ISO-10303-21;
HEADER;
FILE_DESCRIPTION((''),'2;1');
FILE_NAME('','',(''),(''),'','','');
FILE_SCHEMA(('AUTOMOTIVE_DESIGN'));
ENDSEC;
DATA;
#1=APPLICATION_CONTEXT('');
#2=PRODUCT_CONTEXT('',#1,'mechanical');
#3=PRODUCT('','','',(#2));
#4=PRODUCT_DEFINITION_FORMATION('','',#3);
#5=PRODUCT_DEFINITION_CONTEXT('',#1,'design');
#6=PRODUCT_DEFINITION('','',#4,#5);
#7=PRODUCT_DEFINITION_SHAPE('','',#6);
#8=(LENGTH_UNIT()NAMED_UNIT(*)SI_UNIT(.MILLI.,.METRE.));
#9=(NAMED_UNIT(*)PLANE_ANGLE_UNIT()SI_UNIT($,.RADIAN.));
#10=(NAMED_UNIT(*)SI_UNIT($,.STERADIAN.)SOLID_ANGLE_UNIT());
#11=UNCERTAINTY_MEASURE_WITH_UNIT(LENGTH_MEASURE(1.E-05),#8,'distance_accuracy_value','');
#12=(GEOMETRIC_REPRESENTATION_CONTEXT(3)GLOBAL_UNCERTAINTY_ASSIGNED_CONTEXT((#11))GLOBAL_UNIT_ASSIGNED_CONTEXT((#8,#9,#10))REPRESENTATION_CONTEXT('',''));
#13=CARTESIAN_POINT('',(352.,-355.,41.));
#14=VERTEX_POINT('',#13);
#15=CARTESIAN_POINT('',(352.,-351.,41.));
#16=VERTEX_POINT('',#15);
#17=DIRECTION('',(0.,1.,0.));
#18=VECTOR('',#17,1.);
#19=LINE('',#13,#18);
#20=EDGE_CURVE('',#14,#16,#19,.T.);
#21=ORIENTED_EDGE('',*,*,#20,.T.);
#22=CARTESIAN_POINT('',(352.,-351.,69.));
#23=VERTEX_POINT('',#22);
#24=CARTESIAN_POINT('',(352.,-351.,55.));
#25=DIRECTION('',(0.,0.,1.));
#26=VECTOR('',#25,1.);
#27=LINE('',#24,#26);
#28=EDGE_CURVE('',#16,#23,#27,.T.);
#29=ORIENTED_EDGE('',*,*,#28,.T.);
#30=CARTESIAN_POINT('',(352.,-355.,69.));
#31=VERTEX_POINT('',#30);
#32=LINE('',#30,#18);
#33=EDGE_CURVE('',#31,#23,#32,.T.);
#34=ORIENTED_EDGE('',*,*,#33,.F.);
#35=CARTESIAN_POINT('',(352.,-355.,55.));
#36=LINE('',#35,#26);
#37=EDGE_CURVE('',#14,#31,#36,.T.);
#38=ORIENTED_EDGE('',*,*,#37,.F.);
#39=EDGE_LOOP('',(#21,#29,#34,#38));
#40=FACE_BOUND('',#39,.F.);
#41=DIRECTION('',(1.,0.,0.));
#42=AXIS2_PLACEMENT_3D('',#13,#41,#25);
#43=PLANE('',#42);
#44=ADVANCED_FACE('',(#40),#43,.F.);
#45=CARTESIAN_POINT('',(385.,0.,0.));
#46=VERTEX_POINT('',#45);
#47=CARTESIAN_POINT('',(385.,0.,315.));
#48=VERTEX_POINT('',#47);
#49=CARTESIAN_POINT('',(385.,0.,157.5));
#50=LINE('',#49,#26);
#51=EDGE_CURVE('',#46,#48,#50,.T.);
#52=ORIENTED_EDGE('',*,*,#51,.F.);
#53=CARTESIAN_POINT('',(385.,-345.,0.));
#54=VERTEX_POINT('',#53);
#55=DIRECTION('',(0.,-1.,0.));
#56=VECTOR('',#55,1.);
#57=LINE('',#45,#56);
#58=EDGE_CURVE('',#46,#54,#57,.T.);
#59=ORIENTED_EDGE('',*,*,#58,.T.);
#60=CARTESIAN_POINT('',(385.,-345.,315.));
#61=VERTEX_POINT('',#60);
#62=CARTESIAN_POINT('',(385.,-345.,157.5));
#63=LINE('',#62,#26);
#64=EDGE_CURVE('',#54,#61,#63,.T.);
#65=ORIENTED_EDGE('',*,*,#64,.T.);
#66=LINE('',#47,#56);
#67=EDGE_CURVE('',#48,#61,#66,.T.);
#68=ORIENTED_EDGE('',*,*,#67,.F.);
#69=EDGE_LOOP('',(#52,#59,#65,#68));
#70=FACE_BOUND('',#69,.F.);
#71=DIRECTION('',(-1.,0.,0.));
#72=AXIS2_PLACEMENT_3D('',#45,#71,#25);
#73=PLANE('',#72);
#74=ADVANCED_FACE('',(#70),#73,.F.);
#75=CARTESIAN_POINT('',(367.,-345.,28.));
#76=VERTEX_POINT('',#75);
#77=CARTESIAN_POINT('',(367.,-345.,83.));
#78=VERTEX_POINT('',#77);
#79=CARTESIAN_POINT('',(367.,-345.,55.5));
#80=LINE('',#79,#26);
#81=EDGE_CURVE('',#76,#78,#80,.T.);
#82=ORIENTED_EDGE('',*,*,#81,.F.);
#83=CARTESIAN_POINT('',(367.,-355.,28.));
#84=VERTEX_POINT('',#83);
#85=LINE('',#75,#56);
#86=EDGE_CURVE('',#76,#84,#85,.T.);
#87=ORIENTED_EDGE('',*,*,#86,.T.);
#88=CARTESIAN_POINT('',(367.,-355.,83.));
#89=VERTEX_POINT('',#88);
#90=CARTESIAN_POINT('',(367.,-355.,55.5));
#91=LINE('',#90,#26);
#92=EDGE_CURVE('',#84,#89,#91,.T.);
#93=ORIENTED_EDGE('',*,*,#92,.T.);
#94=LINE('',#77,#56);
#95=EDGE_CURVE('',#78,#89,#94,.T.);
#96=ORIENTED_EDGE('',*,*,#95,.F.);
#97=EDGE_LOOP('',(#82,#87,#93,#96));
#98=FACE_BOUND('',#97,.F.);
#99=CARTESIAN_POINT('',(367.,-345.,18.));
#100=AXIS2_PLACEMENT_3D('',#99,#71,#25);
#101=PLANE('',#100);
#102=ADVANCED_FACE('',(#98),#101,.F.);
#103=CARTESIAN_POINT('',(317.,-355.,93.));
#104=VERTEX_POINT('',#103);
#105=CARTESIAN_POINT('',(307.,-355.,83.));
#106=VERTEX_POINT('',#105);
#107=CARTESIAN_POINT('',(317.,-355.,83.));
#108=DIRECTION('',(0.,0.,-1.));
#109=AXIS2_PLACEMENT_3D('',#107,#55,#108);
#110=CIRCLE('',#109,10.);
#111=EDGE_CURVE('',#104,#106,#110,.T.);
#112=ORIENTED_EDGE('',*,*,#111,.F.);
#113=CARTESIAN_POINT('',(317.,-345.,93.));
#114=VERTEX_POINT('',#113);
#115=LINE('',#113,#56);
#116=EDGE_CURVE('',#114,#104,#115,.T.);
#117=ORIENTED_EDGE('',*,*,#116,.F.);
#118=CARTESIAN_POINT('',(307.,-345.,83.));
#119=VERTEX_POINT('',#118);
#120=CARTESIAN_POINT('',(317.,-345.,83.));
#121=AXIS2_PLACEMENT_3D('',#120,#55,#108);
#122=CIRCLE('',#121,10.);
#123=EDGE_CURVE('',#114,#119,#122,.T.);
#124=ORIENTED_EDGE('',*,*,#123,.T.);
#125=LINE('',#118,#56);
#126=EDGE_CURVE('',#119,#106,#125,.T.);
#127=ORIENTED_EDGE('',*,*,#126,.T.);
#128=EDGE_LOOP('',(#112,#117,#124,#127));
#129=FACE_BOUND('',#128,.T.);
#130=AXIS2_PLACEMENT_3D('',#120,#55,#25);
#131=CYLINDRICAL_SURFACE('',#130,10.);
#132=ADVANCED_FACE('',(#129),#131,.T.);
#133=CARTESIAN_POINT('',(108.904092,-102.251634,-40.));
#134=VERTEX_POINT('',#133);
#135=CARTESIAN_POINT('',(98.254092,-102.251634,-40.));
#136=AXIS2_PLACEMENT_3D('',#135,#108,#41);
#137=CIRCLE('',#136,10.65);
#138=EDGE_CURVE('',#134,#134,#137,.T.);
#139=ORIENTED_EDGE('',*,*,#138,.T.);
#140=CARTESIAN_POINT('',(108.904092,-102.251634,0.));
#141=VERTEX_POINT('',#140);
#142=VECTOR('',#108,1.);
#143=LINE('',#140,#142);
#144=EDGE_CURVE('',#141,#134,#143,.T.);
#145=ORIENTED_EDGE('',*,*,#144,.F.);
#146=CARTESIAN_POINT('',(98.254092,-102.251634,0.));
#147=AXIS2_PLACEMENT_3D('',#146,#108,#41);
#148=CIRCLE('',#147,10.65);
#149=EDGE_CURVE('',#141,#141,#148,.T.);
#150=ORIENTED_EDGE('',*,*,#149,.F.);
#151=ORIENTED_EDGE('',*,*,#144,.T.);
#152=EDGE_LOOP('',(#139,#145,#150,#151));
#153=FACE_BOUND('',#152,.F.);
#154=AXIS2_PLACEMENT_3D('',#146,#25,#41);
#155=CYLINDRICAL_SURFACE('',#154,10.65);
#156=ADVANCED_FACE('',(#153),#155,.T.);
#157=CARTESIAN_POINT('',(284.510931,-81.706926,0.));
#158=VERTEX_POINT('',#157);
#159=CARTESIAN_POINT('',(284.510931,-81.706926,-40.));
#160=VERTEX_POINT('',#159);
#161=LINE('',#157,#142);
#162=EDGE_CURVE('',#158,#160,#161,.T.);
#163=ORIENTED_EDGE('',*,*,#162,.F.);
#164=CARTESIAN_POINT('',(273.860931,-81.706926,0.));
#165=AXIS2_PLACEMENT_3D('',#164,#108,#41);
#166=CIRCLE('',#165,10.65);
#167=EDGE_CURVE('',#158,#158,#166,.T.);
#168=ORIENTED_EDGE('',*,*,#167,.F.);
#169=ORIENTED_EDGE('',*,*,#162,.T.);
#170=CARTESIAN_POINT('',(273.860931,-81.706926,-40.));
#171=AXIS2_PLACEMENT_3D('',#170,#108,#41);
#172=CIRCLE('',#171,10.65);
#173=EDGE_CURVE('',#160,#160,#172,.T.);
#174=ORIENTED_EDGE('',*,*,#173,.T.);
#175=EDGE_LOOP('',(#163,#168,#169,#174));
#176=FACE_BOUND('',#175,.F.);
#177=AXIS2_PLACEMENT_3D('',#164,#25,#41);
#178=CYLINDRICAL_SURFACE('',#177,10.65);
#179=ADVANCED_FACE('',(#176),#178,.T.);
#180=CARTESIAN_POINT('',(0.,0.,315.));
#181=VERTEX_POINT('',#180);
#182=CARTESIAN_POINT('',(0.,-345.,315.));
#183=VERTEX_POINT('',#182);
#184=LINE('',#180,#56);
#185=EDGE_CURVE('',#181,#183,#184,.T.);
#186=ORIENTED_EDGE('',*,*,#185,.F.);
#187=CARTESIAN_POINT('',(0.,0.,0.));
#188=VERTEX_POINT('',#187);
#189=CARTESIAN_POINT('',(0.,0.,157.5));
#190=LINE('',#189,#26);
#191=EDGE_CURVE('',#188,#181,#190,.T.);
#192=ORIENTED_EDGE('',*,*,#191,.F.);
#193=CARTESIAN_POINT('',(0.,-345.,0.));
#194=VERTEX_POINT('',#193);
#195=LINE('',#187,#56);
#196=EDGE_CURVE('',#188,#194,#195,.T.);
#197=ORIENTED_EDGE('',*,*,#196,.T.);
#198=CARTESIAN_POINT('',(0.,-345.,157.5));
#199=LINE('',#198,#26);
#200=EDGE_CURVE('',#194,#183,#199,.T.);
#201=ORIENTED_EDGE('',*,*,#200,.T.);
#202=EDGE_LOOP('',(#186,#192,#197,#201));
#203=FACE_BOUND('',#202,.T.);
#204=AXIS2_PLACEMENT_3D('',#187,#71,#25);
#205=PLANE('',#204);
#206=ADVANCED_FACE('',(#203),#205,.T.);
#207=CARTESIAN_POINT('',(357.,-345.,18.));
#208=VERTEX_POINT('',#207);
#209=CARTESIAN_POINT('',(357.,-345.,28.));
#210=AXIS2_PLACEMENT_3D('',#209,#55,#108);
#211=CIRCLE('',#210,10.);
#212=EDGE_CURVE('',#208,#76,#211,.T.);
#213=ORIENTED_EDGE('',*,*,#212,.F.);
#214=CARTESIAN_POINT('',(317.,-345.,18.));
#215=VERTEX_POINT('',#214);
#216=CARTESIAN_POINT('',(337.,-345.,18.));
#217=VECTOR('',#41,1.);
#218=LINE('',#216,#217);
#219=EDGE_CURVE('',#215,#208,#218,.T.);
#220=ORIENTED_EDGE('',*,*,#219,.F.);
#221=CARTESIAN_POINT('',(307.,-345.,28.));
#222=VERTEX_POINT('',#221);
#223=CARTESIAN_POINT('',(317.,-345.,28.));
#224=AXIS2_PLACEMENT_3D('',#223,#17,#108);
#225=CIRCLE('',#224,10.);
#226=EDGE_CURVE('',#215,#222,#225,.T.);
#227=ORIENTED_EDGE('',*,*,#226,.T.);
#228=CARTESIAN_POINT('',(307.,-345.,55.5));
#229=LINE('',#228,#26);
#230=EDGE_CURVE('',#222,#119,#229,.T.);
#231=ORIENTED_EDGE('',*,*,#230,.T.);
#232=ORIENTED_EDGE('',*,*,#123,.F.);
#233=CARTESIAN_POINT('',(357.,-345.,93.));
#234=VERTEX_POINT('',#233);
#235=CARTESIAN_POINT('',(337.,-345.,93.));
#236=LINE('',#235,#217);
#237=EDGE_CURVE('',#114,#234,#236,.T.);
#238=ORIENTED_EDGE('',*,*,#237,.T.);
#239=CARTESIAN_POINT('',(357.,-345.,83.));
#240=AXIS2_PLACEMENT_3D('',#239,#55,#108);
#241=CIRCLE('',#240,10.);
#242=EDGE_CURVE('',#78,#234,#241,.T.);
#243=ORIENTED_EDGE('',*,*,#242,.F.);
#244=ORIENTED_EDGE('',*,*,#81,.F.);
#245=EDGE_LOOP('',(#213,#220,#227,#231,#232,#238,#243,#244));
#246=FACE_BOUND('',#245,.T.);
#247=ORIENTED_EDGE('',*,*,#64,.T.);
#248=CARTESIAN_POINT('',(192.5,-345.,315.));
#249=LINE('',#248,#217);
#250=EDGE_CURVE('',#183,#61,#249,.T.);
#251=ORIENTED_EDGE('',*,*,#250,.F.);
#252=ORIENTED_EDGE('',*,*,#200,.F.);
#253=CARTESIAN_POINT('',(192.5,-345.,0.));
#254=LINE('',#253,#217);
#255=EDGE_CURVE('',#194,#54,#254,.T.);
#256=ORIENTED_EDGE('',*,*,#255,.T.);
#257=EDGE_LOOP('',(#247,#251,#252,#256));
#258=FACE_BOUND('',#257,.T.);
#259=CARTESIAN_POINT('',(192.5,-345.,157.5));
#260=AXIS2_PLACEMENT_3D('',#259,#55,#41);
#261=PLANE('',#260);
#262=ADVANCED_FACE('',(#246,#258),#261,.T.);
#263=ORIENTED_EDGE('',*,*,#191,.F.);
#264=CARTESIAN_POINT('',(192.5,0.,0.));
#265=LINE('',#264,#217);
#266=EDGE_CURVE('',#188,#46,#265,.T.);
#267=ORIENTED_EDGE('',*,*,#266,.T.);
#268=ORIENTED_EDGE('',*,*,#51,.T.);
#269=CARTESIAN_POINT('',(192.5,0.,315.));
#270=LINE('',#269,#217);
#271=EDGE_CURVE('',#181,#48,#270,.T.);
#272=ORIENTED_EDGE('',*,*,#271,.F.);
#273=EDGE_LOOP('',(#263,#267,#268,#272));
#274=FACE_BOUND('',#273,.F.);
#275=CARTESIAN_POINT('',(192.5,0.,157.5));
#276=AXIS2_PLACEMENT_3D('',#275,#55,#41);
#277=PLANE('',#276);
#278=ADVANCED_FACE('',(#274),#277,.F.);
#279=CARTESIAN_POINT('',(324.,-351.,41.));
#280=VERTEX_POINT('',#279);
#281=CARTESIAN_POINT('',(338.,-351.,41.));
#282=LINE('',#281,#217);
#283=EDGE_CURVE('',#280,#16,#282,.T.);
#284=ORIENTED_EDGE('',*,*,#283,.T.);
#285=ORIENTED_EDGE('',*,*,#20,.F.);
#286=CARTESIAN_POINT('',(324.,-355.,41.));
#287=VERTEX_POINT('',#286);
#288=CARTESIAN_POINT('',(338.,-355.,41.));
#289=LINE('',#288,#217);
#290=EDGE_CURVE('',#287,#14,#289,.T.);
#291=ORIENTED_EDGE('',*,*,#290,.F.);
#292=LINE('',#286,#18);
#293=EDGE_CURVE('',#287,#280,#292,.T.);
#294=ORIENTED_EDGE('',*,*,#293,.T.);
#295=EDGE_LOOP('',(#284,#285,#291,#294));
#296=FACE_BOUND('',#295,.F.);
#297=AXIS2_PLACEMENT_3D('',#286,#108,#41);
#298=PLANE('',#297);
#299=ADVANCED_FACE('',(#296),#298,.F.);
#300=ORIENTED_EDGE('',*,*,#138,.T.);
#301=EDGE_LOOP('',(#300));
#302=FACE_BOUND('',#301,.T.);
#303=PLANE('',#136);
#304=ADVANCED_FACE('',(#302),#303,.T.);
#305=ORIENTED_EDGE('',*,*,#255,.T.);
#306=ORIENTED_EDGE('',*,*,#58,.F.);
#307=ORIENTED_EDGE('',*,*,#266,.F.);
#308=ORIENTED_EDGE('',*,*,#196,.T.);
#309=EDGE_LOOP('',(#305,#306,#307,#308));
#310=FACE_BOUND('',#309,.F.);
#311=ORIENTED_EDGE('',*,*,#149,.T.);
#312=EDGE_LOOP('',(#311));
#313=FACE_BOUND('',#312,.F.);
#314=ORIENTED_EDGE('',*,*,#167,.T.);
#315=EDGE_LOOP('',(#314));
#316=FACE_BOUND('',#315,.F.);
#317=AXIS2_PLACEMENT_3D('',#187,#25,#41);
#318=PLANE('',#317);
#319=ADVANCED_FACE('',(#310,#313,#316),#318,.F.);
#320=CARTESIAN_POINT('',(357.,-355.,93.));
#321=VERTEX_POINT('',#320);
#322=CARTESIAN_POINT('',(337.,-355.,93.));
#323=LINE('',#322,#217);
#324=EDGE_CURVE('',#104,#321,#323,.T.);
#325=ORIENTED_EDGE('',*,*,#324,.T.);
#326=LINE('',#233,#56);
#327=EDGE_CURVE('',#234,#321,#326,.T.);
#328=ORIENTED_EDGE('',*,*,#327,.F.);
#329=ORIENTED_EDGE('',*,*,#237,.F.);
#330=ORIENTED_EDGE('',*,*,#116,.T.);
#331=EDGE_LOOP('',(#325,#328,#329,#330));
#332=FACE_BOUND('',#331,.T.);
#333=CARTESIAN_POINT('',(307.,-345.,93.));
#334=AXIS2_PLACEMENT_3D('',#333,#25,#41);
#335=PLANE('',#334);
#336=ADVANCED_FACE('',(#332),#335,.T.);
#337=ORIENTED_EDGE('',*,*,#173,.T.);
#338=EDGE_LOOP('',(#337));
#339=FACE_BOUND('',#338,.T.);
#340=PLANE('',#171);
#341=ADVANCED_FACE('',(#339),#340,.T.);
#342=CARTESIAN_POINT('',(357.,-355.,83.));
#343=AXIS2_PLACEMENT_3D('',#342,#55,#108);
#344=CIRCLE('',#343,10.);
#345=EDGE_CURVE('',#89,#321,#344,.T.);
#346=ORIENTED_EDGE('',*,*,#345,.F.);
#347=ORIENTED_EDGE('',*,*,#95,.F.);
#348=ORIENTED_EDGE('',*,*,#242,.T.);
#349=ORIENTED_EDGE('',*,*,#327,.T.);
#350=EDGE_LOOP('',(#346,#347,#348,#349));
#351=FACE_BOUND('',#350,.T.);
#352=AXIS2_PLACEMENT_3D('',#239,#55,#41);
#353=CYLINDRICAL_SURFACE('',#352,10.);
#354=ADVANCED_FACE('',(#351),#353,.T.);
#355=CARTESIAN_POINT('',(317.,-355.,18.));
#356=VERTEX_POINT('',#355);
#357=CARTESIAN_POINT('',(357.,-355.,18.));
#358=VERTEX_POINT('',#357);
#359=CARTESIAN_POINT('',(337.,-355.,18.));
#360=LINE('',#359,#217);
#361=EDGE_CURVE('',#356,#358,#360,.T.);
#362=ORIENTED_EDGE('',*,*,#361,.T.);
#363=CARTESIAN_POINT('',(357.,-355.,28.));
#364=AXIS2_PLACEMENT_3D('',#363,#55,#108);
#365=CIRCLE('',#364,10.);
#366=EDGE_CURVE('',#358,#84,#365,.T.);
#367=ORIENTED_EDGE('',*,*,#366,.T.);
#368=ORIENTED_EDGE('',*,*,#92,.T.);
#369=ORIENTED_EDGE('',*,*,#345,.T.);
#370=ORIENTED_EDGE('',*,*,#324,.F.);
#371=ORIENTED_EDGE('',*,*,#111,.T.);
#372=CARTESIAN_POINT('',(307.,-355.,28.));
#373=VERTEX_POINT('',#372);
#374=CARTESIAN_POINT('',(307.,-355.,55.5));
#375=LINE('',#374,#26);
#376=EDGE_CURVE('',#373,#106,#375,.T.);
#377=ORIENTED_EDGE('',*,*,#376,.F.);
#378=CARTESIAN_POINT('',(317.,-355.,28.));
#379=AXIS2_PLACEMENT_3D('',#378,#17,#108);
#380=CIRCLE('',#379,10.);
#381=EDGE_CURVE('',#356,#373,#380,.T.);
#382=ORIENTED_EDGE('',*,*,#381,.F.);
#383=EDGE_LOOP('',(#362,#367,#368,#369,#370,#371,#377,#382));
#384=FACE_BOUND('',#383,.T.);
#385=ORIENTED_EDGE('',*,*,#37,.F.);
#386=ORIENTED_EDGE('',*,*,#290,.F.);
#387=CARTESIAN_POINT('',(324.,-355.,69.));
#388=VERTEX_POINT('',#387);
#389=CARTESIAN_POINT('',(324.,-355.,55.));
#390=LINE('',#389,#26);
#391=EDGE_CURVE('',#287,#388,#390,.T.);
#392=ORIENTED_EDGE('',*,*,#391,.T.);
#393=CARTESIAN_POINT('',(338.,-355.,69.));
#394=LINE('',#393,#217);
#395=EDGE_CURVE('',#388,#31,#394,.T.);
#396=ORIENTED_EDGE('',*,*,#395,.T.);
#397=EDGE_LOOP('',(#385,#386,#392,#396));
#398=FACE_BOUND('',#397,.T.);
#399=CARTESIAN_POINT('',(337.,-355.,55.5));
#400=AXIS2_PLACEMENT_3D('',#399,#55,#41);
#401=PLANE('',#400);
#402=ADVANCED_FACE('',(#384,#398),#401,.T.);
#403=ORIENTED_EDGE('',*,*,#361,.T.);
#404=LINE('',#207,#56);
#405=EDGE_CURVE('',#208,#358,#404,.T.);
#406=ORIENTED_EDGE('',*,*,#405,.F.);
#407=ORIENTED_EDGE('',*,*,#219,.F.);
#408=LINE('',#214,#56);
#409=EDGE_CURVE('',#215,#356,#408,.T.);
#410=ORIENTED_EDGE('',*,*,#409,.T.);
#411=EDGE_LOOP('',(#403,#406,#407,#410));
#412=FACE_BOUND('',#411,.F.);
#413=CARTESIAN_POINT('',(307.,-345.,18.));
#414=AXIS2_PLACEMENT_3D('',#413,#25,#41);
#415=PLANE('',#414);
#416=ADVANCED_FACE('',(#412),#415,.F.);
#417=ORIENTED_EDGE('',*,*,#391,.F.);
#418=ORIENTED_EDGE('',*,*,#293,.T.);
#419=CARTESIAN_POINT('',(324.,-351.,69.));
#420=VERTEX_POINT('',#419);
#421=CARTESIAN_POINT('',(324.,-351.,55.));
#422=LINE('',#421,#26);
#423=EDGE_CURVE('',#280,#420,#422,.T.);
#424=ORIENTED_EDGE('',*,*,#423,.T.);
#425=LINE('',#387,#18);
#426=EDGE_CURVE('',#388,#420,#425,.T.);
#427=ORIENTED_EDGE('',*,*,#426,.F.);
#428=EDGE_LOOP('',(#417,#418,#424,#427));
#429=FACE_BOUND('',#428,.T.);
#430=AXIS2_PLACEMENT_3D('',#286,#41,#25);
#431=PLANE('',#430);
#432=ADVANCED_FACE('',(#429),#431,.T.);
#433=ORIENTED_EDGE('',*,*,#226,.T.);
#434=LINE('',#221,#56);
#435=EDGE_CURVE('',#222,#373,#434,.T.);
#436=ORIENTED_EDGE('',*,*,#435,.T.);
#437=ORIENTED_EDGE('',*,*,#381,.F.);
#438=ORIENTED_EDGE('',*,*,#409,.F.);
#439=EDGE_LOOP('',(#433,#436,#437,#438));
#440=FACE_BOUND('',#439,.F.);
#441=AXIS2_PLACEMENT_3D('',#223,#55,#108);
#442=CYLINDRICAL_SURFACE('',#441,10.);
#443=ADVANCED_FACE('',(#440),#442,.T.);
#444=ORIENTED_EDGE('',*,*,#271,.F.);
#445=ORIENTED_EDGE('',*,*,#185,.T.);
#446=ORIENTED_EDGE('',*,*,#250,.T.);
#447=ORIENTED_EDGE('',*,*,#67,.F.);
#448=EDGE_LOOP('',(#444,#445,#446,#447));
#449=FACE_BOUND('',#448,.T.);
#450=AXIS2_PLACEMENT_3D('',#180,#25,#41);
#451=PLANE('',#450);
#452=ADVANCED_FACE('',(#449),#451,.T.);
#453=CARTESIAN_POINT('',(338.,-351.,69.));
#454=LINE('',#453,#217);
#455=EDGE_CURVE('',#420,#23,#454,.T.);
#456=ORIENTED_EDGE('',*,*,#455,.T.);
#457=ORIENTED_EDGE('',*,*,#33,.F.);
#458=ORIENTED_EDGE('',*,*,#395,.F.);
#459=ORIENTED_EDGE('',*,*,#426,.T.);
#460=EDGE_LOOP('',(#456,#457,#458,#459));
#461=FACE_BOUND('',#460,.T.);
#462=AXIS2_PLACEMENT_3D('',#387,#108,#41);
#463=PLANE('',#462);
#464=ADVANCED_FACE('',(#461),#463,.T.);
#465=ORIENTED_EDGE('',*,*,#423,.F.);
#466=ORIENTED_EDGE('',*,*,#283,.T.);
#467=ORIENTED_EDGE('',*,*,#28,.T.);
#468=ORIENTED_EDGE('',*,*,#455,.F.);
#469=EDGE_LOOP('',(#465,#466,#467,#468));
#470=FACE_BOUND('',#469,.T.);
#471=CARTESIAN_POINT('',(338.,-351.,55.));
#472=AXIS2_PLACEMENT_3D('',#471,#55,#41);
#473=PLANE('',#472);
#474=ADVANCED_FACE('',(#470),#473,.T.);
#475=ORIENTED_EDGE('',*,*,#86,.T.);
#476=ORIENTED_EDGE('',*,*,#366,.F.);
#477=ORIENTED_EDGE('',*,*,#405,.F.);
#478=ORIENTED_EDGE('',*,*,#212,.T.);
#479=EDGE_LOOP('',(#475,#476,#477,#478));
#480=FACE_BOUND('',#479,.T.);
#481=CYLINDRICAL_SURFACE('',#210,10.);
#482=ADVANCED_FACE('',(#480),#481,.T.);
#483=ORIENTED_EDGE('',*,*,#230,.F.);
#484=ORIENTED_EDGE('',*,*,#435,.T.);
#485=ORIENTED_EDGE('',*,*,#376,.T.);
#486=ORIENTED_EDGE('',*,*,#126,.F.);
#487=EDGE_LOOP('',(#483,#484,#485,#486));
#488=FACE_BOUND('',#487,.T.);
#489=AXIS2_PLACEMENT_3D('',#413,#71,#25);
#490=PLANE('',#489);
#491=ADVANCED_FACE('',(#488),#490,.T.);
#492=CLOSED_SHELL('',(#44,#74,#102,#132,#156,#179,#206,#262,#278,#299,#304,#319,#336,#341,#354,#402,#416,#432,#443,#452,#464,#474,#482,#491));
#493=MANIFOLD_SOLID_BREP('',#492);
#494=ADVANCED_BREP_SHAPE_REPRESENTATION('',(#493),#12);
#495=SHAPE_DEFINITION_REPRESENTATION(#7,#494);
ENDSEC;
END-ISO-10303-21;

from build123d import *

# Parameters (mm, degrees)
F0_W      = 385
F0_H      = 315
F1_DEPTH  = 345
F2_W      = 60
F2_H      = 75
F3_DEPTH  = 10
F4_R      = 10
F5_W      = 28
F5_H      = 28
F6_DEPTH  = 4
F7_R      = 10.65
F8_DEPTH  = 40
F9_R      = 10.65
F10_DEPTH = 40


with BuildPart() as f1:
    # F0 (on Front) → F1 (new body)
    with BuildSketch(Plane.XZ):
        with Locations((192.5, 157.5)):
            Rectangle(F0_W, F0_H)
    extrude(amount=F1_DEPTH)

    # F2 (on face) → F3 (join)
    with BuildSketch(Plane.XZ.offset(345)):
        with Locations((337, 55.5)):
            Rectangle(F2_W, F2_H)
    extrude(amount=F3_DEPTH)

    # F4
    f4_edges = [f1.edges().sort_by_distance(p)[0] for p in [
        (367, -350, 93),
        (367, -350, 18),
        (307, -350, 93),
        (307, -350, 18),
    ]]
    fillet(f4_edges, radius=F4_R)

    # F5 (on face) → F6 (cut)
    with BuildSketch(Plane.XZ.offset(355)):
        with Locations((338, 55)):
            Rectangle(F5_W, F5_H)
    extrude(amount=-F6_DEPTH, mode=Mode.SUBTRACT)

    # F7 (on face) → F8 (join)
    with BuildSketch(Plane(origin=(0, 0, 0), x_dir=(1, 0, 0), z_dir=(0, 0, -1))):
        with Locations((98.254092, 102.251634)):
            Circle(F7_R)
    extrude(amount=F8_DEPTH)

    # F9 (on face) → F10 (join)
    with BuildSketch(Plane(origin=(0, 0, 0), x_dir=(1, 0, 0), z_dir=(0, 0, -1))):
        with Locations((273.860931, 81.706926)):
            Circle(F9_R)
    extrude(amount=F10_DEPTH)


solid = f1.part
